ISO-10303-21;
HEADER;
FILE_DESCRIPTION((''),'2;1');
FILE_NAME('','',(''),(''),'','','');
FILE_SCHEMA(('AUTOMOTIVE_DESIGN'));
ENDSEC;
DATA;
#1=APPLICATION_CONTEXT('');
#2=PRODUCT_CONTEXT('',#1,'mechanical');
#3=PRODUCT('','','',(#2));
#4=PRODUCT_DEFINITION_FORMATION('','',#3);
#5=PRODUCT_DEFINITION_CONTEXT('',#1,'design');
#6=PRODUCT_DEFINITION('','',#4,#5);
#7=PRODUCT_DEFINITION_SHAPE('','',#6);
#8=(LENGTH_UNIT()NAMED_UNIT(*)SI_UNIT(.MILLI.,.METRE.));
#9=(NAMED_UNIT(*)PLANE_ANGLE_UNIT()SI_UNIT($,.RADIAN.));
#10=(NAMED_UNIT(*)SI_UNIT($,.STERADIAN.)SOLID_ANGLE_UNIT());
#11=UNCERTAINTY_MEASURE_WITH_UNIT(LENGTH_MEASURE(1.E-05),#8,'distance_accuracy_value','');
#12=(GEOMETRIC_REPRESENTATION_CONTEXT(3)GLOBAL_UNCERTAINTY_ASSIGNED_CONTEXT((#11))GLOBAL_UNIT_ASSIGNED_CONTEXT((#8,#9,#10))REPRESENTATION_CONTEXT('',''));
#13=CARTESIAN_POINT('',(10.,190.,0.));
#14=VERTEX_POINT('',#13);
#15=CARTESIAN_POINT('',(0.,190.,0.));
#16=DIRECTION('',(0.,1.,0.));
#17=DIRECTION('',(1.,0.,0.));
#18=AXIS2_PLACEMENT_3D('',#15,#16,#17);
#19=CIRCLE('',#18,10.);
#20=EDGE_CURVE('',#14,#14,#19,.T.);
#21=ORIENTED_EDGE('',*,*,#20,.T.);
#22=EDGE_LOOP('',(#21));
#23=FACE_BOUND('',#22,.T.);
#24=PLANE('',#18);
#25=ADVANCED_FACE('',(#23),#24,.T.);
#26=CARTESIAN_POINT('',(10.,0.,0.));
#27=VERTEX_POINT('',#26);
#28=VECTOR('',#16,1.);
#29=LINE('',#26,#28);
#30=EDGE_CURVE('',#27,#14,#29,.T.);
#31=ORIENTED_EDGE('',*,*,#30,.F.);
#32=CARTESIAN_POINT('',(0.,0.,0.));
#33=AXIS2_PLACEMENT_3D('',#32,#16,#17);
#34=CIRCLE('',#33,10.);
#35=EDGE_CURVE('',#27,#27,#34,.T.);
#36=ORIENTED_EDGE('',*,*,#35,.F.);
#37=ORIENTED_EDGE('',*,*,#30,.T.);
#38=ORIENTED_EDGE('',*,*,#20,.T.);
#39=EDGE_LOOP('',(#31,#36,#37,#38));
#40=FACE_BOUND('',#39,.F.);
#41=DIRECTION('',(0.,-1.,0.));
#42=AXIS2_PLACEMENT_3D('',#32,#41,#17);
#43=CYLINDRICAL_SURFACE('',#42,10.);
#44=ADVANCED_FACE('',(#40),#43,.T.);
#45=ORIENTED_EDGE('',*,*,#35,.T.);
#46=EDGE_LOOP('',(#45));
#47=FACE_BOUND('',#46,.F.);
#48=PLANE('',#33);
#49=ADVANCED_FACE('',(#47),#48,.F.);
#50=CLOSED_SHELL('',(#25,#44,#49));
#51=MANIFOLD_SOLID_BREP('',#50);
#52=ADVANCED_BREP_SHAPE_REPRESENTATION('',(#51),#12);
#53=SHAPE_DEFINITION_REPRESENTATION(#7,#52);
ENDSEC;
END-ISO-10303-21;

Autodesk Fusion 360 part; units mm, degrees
sketch "Sketch1" plane through (0, 0, 0) normal (0, 1, 0) x (1, 0, 0)
  circle A0 centre (0, 0) radius 10
  dimension "d1" = 20
extrude "Extrude1" add sketch "Sketch1" along normal blind 190
